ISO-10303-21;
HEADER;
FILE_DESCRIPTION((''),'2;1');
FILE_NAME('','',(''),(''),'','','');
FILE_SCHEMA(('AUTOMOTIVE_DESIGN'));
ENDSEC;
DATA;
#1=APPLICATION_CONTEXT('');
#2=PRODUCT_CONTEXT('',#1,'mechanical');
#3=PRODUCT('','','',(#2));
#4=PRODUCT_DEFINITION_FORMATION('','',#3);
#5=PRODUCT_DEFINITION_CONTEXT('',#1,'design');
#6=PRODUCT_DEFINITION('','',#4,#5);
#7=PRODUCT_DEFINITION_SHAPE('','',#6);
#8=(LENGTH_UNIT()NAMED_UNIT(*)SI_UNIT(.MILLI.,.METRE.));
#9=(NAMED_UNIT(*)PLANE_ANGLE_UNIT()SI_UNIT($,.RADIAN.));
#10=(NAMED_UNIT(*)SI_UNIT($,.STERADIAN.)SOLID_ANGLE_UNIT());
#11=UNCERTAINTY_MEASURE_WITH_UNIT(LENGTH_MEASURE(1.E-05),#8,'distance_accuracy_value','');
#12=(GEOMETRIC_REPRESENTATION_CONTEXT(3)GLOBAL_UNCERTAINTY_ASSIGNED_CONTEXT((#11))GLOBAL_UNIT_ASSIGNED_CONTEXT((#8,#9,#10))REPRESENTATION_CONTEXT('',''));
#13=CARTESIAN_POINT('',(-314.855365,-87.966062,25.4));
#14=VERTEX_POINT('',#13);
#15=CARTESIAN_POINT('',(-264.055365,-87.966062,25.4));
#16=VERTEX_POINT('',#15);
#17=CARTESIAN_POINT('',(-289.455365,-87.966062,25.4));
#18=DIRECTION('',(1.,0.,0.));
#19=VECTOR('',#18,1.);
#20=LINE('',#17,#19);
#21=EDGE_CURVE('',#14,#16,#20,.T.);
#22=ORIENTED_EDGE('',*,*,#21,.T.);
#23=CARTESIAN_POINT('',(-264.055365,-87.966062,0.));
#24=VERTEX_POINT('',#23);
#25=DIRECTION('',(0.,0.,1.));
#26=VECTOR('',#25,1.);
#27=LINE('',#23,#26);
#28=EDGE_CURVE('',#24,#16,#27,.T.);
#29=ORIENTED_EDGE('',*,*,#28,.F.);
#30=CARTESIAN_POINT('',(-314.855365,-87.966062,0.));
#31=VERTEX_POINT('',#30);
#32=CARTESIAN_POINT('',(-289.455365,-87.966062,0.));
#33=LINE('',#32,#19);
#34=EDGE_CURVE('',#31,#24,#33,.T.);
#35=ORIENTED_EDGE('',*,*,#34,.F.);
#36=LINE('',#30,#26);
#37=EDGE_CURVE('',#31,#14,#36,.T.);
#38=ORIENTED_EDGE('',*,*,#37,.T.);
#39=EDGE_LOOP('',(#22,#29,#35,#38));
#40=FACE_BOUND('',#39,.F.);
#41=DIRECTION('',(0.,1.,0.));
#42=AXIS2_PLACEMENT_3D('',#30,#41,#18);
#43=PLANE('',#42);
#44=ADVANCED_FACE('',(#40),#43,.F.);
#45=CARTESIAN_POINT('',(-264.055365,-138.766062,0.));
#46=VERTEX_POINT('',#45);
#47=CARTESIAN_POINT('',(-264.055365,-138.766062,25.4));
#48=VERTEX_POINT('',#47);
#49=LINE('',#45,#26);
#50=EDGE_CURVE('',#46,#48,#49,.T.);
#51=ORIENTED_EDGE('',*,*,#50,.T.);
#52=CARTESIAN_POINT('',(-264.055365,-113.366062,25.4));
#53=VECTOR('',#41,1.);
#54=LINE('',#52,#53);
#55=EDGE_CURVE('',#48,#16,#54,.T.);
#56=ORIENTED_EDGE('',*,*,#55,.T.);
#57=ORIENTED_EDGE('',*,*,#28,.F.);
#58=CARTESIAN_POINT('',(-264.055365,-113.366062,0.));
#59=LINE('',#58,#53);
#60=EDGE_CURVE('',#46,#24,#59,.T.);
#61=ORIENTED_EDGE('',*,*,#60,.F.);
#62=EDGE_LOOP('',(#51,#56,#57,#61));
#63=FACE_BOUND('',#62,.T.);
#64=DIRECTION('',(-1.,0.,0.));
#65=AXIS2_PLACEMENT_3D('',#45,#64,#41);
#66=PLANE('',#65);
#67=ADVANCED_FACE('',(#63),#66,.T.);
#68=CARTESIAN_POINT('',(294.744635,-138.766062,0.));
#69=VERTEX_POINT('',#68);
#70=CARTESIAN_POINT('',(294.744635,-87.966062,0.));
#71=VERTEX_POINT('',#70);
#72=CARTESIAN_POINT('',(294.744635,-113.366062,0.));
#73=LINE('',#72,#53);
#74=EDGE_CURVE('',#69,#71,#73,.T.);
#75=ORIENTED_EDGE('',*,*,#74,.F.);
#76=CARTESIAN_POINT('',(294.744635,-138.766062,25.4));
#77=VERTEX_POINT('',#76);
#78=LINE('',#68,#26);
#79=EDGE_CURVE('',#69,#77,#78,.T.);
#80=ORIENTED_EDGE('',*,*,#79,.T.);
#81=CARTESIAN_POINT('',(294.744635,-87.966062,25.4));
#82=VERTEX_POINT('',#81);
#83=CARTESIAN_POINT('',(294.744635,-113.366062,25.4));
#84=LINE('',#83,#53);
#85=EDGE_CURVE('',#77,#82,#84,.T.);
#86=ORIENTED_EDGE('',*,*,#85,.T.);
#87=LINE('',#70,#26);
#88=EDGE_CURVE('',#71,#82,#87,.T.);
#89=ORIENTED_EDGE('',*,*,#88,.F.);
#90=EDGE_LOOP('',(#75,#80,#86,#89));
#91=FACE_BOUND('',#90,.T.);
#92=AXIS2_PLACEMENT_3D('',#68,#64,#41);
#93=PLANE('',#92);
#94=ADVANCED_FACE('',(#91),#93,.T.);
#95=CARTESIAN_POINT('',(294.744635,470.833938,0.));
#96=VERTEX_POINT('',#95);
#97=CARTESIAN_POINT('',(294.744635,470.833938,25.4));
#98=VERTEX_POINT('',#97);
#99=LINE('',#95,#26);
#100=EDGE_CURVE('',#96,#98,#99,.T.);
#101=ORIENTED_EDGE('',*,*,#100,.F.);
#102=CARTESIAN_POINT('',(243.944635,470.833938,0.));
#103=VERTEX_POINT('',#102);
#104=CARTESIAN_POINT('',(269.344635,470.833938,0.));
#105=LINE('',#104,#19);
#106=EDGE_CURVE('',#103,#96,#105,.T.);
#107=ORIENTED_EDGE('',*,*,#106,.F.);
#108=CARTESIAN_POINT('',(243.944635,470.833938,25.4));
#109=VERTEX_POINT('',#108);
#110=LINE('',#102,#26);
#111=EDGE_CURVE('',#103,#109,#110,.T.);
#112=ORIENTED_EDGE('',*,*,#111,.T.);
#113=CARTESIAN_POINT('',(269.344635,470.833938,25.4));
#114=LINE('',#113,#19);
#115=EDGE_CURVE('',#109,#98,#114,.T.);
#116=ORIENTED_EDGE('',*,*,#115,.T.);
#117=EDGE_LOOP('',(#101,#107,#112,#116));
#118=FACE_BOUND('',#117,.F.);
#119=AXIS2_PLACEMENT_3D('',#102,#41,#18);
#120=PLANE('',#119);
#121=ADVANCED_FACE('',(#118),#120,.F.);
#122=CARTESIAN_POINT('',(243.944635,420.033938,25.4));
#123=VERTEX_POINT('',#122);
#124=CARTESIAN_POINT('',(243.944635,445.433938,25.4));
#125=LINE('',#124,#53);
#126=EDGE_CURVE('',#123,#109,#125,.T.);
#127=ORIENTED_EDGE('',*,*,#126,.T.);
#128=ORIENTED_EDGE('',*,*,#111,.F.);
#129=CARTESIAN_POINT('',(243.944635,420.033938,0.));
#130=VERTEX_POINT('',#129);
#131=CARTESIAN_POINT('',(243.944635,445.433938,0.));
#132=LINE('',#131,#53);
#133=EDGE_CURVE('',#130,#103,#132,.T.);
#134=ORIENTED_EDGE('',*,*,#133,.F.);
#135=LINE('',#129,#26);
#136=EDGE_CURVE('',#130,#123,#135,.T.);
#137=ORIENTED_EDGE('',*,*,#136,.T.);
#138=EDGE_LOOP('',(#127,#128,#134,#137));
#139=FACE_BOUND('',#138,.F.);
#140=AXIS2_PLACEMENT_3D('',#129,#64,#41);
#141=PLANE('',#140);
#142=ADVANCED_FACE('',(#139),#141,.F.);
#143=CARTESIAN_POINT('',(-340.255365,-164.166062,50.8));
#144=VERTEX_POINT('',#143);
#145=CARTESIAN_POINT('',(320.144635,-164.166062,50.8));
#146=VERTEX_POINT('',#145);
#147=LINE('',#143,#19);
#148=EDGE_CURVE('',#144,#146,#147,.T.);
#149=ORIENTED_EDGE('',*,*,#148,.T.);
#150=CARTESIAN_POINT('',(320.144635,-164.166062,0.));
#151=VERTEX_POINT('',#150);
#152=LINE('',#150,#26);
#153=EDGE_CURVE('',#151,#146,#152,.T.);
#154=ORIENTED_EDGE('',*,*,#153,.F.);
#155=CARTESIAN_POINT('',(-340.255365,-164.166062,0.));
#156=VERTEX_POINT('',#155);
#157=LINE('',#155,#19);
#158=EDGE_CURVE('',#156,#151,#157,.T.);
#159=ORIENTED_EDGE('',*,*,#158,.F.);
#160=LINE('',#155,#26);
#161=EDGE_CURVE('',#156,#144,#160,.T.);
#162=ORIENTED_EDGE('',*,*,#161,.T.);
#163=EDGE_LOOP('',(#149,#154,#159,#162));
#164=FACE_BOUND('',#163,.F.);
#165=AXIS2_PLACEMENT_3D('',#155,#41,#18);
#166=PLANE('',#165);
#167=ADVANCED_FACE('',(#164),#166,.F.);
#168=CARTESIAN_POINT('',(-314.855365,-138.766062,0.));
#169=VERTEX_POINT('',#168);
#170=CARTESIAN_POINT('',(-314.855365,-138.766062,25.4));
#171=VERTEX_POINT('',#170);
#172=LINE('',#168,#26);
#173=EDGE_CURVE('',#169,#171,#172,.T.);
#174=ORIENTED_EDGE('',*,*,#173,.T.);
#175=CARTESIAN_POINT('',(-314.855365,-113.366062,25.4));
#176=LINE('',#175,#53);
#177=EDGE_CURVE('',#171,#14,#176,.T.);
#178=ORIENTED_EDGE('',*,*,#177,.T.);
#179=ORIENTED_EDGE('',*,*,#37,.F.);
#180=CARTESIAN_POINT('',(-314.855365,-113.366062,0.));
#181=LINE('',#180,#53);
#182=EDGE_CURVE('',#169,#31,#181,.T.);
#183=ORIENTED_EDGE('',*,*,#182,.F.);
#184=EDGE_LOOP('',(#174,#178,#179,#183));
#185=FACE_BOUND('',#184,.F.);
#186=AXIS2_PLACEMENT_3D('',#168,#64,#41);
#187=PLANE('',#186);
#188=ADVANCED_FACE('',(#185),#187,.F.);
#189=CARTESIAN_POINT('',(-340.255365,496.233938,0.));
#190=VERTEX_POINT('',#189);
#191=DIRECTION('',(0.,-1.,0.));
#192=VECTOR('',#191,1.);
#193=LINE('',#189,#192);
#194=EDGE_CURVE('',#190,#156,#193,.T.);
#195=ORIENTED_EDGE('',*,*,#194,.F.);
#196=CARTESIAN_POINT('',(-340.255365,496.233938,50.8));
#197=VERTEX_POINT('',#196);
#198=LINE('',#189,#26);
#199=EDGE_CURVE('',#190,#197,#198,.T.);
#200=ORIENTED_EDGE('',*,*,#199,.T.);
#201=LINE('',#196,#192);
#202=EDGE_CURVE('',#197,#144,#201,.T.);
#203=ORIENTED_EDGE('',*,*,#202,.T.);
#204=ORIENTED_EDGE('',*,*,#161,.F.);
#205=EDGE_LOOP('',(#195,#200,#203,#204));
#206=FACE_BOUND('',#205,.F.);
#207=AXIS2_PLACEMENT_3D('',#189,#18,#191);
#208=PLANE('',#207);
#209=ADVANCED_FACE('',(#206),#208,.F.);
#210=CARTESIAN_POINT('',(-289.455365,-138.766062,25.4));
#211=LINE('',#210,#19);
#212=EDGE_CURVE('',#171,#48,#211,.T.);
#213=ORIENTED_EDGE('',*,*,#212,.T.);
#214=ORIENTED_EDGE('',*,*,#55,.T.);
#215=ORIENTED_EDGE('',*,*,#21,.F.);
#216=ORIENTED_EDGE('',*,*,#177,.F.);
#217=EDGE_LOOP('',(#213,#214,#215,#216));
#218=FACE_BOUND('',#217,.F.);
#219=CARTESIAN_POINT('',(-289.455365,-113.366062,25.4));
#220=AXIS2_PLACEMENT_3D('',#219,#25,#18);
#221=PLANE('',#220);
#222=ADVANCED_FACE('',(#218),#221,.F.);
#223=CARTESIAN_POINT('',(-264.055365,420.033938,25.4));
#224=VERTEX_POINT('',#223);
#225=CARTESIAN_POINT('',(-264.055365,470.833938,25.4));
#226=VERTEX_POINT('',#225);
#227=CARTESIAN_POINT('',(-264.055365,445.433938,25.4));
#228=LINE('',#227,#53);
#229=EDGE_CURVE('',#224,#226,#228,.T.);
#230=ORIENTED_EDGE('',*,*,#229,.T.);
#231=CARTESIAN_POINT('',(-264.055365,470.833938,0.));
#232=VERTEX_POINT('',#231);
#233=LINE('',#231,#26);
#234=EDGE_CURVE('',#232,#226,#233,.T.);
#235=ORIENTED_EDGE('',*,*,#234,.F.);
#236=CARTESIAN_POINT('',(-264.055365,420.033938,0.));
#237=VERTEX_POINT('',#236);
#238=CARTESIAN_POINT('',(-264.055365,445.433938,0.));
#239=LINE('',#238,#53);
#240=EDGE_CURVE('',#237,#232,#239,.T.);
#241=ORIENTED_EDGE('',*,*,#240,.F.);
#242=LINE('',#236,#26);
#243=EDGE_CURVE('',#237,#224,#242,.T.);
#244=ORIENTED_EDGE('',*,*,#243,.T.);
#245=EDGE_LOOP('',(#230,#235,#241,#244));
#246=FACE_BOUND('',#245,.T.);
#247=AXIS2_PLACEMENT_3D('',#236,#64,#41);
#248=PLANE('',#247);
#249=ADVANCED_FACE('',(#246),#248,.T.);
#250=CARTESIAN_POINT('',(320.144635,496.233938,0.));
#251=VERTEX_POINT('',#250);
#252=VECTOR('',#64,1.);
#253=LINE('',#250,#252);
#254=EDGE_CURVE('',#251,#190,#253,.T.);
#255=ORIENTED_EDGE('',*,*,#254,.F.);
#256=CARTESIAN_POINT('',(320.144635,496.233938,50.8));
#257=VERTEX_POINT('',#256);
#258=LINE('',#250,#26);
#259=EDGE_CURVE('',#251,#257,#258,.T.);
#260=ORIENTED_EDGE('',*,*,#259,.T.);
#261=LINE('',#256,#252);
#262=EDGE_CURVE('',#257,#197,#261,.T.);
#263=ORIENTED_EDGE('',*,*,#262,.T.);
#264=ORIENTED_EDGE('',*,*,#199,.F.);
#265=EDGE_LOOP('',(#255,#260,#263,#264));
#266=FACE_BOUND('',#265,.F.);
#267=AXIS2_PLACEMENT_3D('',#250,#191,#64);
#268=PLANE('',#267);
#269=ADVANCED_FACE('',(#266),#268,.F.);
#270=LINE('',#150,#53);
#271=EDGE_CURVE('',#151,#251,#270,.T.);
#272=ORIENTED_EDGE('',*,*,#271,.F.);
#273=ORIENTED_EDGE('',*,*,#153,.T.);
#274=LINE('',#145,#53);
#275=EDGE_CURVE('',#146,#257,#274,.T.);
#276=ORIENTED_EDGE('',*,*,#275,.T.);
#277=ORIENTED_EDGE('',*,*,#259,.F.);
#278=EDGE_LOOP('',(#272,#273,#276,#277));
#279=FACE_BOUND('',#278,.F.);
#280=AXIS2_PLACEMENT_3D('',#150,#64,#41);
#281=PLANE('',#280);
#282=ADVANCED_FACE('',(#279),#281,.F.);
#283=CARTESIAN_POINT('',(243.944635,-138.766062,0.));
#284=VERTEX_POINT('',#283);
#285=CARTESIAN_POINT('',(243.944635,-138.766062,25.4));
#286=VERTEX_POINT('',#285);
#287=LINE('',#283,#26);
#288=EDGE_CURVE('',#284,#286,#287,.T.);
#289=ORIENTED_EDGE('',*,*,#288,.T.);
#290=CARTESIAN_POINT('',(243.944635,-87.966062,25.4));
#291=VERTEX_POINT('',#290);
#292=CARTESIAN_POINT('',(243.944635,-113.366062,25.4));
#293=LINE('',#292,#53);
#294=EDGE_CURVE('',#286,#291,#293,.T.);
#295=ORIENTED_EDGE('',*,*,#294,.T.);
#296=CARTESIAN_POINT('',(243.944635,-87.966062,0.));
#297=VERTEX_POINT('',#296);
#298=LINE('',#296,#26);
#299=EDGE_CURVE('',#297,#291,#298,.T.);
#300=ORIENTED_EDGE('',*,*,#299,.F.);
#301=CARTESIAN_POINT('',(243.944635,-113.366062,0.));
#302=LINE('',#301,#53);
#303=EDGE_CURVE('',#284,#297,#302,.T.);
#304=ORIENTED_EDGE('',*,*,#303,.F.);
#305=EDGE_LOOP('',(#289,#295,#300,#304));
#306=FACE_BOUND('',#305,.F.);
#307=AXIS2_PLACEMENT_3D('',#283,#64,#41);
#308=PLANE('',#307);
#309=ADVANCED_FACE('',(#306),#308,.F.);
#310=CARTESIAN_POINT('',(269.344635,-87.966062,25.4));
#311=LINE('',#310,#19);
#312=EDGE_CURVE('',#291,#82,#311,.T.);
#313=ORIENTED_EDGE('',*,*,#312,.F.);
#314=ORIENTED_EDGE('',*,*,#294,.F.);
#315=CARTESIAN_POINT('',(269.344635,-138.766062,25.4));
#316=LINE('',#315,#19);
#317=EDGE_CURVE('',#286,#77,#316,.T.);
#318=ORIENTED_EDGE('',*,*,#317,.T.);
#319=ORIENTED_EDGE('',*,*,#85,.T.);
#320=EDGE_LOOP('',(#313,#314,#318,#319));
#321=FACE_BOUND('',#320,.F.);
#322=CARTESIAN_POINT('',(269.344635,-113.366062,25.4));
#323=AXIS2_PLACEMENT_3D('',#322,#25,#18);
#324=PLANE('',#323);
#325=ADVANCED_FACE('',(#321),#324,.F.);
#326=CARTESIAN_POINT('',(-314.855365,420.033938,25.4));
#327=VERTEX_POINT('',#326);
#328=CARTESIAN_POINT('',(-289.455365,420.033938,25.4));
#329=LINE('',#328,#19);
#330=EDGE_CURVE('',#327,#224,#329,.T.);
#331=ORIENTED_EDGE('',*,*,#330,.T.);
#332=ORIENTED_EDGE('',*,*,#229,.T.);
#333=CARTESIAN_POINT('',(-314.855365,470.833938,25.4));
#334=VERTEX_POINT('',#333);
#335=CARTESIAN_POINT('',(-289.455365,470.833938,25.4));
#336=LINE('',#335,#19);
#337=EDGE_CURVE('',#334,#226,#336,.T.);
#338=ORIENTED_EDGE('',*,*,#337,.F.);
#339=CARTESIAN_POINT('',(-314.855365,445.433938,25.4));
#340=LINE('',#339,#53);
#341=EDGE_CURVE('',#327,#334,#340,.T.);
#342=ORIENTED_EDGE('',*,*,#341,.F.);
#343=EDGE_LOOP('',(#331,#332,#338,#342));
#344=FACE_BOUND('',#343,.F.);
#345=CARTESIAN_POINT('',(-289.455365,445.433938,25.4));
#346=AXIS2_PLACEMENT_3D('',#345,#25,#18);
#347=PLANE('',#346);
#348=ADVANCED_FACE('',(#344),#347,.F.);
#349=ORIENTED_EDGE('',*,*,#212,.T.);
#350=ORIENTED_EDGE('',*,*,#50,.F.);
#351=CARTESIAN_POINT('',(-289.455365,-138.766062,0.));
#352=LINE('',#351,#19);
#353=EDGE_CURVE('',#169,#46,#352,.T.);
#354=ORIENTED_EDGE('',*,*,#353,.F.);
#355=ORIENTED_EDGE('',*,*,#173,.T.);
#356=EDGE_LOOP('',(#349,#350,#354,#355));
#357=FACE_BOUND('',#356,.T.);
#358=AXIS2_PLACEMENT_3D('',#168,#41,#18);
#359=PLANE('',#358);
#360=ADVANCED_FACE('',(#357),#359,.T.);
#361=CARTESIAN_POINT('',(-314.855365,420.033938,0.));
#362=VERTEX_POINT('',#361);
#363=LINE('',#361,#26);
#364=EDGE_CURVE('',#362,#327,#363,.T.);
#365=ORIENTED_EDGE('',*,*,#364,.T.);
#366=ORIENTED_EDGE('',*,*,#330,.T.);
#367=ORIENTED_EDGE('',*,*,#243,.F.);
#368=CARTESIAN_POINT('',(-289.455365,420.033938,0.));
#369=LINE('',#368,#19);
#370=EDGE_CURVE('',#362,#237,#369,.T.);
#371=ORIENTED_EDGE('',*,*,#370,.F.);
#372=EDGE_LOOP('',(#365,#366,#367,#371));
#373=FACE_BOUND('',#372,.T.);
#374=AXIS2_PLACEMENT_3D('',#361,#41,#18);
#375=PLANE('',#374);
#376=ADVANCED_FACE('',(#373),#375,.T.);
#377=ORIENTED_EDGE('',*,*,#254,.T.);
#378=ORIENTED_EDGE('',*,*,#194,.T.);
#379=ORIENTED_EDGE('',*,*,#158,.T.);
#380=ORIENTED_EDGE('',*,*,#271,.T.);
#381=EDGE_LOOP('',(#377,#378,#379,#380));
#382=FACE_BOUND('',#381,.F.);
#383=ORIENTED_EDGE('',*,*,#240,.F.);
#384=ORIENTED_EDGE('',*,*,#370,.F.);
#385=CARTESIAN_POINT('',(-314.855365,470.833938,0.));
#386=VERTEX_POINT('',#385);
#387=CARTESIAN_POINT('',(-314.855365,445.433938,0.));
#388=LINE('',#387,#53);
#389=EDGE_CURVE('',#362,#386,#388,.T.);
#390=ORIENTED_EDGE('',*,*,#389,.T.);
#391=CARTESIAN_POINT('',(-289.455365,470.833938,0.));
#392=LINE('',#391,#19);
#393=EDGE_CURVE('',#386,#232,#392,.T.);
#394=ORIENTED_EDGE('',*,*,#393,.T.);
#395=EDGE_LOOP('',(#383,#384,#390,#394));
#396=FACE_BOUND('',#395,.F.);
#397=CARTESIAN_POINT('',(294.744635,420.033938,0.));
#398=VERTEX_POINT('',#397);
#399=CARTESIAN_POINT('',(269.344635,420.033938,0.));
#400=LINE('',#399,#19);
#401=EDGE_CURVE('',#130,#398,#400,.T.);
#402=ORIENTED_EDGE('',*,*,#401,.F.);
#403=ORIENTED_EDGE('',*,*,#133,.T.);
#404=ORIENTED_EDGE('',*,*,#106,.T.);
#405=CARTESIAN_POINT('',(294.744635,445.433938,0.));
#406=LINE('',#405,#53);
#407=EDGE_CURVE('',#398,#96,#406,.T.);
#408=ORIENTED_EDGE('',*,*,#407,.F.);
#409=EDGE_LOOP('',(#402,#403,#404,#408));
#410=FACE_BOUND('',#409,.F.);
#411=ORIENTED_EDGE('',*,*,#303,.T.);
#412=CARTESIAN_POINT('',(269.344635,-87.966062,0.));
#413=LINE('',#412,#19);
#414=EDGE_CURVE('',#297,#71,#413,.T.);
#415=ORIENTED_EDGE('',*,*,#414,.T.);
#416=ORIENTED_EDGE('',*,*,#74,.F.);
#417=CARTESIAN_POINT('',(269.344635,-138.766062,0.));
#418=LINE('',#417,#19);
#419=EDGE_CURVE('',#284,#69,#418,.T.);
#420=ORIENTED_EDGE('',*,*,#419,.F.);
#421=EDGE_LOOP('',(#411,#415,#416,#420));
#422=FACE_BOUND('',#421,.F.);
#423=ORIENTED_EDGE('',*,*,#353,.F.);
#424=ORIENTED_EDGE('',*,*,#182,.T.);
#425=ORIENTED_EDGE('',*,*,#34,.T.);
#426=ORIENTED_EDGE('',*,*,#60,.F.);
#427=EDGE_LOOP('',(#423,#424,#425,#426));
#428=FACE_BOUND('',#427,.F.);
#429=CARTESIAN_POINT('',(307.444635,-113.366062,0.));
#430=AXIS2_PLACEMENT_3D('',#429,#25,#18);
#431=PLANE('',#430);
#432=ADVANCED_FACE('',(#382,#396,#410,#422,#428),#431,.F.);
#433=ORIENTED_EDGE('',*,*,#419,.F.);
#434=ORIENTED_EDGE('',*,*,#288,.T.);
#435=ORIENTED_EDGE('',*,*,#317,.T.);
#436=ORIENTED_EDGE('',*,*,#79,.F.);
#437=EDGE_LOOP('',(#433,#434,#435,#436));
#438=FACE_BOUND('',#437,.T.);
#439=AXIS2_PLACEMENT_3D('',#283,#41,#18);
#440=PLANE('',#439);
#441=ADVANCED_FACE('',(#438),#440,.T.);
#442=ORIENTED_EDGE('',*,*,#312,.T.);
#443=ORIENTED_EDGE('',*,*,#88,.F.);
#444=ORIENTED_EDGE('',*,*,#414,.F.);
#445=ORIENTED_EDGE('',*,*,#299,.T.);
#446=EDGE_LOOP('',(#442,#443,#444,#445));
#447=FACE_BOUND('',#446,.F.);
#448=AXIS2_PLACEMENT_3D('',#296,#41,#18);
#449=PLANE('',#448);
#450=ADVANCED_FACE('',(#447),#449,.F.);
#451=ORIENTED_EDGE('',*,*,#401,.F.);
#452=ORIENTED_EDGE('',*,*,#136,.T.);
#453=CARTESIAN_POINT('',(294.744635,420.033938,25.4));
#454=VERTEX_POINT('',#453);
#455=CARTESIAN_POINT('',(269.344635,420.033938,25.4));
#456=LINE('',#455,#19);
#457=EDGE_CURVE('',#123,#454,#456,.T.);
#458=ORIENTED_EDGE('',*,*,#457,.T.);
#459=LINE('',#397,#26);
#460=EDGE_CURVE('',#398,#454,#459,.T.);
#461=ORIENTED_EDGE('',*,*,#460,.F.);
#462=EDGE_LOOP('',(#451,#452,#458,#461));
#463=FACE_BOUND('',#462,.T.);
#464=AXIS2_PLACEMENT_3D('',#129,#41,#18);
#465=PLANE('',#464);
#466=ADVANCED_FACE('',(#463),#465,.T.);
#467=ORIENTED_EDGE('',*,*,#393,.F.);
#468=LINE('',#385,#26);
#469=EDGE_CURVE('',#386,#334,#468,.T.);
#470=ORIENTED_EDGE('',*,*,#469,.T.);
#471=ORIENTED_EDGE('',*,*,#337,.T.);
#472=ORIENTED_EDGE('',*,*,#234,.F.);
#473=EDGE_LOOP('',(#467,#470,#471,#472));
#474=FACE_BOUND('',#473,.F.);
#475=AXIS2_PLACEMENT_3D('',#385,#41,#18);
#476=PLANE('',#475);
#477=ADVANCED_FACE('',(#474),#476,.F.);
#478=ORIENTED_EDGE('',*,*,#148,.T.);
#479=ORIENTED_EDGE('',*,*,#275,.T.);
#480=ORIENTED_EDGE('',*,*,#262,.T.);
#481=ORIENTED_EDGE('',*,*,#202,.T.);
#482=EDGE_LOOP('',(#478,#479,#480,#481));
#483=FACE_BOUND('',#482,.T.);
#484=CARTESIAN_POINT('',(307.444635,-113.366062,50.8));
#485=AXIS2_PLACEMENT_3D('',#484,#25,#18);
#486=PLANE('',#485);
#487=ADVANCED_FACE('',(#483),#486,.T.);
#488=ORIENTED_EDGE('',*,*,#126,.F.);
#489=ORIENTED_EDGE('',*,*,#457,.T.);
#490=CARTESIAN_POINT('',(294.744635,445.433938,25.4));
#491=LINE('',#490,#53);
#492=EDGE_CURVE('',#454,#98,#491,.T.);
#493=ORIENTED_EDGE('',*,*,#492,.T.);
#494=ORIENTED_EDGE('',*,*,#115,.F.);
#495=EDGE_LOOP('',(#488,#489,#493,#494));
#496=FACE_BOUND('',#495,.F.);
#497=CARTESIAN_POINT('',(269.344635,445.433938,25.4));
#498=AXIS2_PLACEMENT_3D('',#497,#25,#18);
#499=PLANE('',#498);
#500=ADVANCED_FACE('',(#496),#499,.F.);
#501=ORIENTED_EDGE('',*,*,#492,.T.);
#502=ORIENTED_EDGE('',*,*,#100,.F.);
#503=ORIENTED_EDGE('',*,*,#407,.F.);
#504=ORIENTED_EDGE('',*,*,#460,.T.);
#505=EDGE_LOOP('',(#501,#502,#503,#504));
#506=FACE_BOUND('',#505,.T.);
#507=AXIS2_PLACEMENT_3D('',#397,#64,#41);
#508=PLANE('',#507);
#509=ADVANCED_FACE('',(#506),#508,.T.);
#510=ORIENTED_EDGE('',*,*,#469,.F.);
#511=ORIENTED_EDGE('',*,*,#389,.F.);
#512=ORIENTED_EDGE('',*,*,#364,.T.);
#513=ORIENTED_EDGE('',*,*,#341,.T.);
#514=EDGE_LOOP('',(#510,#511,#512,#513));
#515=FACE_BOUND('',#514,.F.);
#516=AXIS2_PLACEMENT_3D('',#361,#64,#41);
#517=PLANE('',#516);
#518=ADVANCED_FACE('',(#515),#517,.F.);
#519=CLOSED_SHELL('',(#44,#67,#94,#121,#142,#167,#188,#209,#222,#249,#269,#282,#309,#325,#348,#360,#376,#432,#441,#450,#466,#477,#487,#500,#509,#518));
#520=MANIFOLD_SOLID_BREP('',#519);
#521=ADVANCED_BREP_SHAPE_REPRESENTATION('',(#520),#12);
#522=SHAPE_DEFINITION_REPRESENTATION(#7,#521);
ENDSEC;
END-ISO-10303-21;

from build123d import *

# Parameters (mm, degrees)
F0_W     = 25.4
F0_H     = 50.8
F0_W_2   = 50.8
F0_H_2   = 25.4
F0_W_3   = 508
F0_H_3   = 508
F1_DEPTH = 50.8
F2_DEPTH = 25.4
F3_DEPTH = 25.4
F4_DEPTH = 25.4
F5_DEPTH = 25.4


with BuildPart() as f1:
    # F0 (on Top) → F1 (new body)
    with BuildSketch(Plane.XY):
        with Locations((307.4446349591, -113.3660624364)):
            Rectangle(F0_W, F0_H)
        with Locations((-289.4553650409, -151.4660624364)):
            Rectangle(F0_W_2, F0_H_2)
        with Locations((307.4446349591, 483.5339375636)):
            Rectangle(F0_W, F0_H_2)
        with Locations((-289.4553650409, -113.3660624364)):
            Rectangle(F0_W_2, F0_H)
        with Locations((307.4446349591, -151.4660624364)):
            Rectangle(F0_W, F0_H_2)
        with Locations((-327.5553650409, -151.4660624364)):
            Rectangle(F0_W, F0_H_2)
        with Locations((269.3446349591, -113.3660624364)):
            Rectangle(F0_W_2, F0_H)
        with Locations((-10.0553650409, -151.4660624364)):
            Rectangle(F0_W_3, F0_H_2)
        with Locations((269.3446349591, -151.4660624364)):
            Rectangle(F0_W_2, F0_H_2)
        with Locations((-10.0553650409, 483.5339375636)):
            Rectangle(F0_W_3, F0_H_2)
        with Locations((269.3446349591, 483.5339375636)):
            Rectangle(F0_W_2, F0_H_2)
        with Locations((-327.5553650409, -113.3660624364)):
            Rectangle(F0_W, F0_H)
        with Locations((-327.5553650409, 166.0339375636)):
            Rectangle(F0_W, F0_H_3)
        with Locations((269.3446349591, 166.0339375636)):
            Rectangle(F0_W_2, F0_H_3)
        with Locations((307.4446349591, 166.0339375636)):
            Rectangle(F0_W, F0_H_3)
        with Locations((307.4446349591, 445.4339375636)):
            Rectangle(F0_W, F0_H)
        with Locations((269.3446349591, 445.4339375636)):
            Rectangle(F0_W_2, F0_H)
        with Locations((-10.0553650409, 166.0339375636)):
            Rectangle(F0_W_3, F0_H_3)
        with Locations((-10.0553650409, -113.3660624364)):
            Rectangle(F0_W_3, F0_H)
        with Locations((-289.4553650409, 166.0339375636)):
            Rectangle(F0_W_2, F0_H_3)
        with Locations((-10.0553650409, 445.4339375636)):
            Rectangle(F0_W_3, F0_H)
        with Locations((-289.4553650409, 445.4339375636)):
            Rectangle(F0_W_2, F0_H)
        with Locations((-327.5553650409, 445.4339375636)):
            Rectangle(F0_W, F0_H)
        with Locations((-327.5553650409, 483.5339375636)):
            Rectangle(F0_W, F0_H_2)
        with Locations((-289.4553650409, 483.5339375636)):
            Rectangle(F0_W_2, F0_H_2)
    extrude(amount=F1_DEPTH)

    # F0 (on Top) → F2 (cut)
    with BuildSketch(Plane.XY):
        with Locations((269.3446349591, -113.3660624364)):
            Rectangle(F0_W_2, F0_H)
    extrude(amount=F2_DEPTH, mode=Mode.SUBTRACT)

    # F0 (on Top) → F3 (cut)
    with BuildSketch(Plane.XY):
        with Locations((269.3446349591, 445.4339375636)):
            Rectangle(F0_W_2, F0_H)
    extrude(amount=F3_DEPTH, mode=Mode.SUBTRACT)

    # F0 (on Top) → F4 (cut)
    with BuildSketch(Plane.XY):
        with Locations((-289.4553650409, 445.4339375636)):
            Rectangle(F0_W_2, F0_H)
    extrude(amount=F4_DEPTH, mode=Mode.SUBTRACT)

    # F0 (on Top) → F5 (cut)
    with BuildSketch(Plane.XY):
        with Locations((-289.4553650409, -113.3660624364)):
            Rectangle(F0_W_2, F0_H)
    extrude(amount=F5_DEPTH, mode=Mode.SUBTRACT)


solid = f1.part
